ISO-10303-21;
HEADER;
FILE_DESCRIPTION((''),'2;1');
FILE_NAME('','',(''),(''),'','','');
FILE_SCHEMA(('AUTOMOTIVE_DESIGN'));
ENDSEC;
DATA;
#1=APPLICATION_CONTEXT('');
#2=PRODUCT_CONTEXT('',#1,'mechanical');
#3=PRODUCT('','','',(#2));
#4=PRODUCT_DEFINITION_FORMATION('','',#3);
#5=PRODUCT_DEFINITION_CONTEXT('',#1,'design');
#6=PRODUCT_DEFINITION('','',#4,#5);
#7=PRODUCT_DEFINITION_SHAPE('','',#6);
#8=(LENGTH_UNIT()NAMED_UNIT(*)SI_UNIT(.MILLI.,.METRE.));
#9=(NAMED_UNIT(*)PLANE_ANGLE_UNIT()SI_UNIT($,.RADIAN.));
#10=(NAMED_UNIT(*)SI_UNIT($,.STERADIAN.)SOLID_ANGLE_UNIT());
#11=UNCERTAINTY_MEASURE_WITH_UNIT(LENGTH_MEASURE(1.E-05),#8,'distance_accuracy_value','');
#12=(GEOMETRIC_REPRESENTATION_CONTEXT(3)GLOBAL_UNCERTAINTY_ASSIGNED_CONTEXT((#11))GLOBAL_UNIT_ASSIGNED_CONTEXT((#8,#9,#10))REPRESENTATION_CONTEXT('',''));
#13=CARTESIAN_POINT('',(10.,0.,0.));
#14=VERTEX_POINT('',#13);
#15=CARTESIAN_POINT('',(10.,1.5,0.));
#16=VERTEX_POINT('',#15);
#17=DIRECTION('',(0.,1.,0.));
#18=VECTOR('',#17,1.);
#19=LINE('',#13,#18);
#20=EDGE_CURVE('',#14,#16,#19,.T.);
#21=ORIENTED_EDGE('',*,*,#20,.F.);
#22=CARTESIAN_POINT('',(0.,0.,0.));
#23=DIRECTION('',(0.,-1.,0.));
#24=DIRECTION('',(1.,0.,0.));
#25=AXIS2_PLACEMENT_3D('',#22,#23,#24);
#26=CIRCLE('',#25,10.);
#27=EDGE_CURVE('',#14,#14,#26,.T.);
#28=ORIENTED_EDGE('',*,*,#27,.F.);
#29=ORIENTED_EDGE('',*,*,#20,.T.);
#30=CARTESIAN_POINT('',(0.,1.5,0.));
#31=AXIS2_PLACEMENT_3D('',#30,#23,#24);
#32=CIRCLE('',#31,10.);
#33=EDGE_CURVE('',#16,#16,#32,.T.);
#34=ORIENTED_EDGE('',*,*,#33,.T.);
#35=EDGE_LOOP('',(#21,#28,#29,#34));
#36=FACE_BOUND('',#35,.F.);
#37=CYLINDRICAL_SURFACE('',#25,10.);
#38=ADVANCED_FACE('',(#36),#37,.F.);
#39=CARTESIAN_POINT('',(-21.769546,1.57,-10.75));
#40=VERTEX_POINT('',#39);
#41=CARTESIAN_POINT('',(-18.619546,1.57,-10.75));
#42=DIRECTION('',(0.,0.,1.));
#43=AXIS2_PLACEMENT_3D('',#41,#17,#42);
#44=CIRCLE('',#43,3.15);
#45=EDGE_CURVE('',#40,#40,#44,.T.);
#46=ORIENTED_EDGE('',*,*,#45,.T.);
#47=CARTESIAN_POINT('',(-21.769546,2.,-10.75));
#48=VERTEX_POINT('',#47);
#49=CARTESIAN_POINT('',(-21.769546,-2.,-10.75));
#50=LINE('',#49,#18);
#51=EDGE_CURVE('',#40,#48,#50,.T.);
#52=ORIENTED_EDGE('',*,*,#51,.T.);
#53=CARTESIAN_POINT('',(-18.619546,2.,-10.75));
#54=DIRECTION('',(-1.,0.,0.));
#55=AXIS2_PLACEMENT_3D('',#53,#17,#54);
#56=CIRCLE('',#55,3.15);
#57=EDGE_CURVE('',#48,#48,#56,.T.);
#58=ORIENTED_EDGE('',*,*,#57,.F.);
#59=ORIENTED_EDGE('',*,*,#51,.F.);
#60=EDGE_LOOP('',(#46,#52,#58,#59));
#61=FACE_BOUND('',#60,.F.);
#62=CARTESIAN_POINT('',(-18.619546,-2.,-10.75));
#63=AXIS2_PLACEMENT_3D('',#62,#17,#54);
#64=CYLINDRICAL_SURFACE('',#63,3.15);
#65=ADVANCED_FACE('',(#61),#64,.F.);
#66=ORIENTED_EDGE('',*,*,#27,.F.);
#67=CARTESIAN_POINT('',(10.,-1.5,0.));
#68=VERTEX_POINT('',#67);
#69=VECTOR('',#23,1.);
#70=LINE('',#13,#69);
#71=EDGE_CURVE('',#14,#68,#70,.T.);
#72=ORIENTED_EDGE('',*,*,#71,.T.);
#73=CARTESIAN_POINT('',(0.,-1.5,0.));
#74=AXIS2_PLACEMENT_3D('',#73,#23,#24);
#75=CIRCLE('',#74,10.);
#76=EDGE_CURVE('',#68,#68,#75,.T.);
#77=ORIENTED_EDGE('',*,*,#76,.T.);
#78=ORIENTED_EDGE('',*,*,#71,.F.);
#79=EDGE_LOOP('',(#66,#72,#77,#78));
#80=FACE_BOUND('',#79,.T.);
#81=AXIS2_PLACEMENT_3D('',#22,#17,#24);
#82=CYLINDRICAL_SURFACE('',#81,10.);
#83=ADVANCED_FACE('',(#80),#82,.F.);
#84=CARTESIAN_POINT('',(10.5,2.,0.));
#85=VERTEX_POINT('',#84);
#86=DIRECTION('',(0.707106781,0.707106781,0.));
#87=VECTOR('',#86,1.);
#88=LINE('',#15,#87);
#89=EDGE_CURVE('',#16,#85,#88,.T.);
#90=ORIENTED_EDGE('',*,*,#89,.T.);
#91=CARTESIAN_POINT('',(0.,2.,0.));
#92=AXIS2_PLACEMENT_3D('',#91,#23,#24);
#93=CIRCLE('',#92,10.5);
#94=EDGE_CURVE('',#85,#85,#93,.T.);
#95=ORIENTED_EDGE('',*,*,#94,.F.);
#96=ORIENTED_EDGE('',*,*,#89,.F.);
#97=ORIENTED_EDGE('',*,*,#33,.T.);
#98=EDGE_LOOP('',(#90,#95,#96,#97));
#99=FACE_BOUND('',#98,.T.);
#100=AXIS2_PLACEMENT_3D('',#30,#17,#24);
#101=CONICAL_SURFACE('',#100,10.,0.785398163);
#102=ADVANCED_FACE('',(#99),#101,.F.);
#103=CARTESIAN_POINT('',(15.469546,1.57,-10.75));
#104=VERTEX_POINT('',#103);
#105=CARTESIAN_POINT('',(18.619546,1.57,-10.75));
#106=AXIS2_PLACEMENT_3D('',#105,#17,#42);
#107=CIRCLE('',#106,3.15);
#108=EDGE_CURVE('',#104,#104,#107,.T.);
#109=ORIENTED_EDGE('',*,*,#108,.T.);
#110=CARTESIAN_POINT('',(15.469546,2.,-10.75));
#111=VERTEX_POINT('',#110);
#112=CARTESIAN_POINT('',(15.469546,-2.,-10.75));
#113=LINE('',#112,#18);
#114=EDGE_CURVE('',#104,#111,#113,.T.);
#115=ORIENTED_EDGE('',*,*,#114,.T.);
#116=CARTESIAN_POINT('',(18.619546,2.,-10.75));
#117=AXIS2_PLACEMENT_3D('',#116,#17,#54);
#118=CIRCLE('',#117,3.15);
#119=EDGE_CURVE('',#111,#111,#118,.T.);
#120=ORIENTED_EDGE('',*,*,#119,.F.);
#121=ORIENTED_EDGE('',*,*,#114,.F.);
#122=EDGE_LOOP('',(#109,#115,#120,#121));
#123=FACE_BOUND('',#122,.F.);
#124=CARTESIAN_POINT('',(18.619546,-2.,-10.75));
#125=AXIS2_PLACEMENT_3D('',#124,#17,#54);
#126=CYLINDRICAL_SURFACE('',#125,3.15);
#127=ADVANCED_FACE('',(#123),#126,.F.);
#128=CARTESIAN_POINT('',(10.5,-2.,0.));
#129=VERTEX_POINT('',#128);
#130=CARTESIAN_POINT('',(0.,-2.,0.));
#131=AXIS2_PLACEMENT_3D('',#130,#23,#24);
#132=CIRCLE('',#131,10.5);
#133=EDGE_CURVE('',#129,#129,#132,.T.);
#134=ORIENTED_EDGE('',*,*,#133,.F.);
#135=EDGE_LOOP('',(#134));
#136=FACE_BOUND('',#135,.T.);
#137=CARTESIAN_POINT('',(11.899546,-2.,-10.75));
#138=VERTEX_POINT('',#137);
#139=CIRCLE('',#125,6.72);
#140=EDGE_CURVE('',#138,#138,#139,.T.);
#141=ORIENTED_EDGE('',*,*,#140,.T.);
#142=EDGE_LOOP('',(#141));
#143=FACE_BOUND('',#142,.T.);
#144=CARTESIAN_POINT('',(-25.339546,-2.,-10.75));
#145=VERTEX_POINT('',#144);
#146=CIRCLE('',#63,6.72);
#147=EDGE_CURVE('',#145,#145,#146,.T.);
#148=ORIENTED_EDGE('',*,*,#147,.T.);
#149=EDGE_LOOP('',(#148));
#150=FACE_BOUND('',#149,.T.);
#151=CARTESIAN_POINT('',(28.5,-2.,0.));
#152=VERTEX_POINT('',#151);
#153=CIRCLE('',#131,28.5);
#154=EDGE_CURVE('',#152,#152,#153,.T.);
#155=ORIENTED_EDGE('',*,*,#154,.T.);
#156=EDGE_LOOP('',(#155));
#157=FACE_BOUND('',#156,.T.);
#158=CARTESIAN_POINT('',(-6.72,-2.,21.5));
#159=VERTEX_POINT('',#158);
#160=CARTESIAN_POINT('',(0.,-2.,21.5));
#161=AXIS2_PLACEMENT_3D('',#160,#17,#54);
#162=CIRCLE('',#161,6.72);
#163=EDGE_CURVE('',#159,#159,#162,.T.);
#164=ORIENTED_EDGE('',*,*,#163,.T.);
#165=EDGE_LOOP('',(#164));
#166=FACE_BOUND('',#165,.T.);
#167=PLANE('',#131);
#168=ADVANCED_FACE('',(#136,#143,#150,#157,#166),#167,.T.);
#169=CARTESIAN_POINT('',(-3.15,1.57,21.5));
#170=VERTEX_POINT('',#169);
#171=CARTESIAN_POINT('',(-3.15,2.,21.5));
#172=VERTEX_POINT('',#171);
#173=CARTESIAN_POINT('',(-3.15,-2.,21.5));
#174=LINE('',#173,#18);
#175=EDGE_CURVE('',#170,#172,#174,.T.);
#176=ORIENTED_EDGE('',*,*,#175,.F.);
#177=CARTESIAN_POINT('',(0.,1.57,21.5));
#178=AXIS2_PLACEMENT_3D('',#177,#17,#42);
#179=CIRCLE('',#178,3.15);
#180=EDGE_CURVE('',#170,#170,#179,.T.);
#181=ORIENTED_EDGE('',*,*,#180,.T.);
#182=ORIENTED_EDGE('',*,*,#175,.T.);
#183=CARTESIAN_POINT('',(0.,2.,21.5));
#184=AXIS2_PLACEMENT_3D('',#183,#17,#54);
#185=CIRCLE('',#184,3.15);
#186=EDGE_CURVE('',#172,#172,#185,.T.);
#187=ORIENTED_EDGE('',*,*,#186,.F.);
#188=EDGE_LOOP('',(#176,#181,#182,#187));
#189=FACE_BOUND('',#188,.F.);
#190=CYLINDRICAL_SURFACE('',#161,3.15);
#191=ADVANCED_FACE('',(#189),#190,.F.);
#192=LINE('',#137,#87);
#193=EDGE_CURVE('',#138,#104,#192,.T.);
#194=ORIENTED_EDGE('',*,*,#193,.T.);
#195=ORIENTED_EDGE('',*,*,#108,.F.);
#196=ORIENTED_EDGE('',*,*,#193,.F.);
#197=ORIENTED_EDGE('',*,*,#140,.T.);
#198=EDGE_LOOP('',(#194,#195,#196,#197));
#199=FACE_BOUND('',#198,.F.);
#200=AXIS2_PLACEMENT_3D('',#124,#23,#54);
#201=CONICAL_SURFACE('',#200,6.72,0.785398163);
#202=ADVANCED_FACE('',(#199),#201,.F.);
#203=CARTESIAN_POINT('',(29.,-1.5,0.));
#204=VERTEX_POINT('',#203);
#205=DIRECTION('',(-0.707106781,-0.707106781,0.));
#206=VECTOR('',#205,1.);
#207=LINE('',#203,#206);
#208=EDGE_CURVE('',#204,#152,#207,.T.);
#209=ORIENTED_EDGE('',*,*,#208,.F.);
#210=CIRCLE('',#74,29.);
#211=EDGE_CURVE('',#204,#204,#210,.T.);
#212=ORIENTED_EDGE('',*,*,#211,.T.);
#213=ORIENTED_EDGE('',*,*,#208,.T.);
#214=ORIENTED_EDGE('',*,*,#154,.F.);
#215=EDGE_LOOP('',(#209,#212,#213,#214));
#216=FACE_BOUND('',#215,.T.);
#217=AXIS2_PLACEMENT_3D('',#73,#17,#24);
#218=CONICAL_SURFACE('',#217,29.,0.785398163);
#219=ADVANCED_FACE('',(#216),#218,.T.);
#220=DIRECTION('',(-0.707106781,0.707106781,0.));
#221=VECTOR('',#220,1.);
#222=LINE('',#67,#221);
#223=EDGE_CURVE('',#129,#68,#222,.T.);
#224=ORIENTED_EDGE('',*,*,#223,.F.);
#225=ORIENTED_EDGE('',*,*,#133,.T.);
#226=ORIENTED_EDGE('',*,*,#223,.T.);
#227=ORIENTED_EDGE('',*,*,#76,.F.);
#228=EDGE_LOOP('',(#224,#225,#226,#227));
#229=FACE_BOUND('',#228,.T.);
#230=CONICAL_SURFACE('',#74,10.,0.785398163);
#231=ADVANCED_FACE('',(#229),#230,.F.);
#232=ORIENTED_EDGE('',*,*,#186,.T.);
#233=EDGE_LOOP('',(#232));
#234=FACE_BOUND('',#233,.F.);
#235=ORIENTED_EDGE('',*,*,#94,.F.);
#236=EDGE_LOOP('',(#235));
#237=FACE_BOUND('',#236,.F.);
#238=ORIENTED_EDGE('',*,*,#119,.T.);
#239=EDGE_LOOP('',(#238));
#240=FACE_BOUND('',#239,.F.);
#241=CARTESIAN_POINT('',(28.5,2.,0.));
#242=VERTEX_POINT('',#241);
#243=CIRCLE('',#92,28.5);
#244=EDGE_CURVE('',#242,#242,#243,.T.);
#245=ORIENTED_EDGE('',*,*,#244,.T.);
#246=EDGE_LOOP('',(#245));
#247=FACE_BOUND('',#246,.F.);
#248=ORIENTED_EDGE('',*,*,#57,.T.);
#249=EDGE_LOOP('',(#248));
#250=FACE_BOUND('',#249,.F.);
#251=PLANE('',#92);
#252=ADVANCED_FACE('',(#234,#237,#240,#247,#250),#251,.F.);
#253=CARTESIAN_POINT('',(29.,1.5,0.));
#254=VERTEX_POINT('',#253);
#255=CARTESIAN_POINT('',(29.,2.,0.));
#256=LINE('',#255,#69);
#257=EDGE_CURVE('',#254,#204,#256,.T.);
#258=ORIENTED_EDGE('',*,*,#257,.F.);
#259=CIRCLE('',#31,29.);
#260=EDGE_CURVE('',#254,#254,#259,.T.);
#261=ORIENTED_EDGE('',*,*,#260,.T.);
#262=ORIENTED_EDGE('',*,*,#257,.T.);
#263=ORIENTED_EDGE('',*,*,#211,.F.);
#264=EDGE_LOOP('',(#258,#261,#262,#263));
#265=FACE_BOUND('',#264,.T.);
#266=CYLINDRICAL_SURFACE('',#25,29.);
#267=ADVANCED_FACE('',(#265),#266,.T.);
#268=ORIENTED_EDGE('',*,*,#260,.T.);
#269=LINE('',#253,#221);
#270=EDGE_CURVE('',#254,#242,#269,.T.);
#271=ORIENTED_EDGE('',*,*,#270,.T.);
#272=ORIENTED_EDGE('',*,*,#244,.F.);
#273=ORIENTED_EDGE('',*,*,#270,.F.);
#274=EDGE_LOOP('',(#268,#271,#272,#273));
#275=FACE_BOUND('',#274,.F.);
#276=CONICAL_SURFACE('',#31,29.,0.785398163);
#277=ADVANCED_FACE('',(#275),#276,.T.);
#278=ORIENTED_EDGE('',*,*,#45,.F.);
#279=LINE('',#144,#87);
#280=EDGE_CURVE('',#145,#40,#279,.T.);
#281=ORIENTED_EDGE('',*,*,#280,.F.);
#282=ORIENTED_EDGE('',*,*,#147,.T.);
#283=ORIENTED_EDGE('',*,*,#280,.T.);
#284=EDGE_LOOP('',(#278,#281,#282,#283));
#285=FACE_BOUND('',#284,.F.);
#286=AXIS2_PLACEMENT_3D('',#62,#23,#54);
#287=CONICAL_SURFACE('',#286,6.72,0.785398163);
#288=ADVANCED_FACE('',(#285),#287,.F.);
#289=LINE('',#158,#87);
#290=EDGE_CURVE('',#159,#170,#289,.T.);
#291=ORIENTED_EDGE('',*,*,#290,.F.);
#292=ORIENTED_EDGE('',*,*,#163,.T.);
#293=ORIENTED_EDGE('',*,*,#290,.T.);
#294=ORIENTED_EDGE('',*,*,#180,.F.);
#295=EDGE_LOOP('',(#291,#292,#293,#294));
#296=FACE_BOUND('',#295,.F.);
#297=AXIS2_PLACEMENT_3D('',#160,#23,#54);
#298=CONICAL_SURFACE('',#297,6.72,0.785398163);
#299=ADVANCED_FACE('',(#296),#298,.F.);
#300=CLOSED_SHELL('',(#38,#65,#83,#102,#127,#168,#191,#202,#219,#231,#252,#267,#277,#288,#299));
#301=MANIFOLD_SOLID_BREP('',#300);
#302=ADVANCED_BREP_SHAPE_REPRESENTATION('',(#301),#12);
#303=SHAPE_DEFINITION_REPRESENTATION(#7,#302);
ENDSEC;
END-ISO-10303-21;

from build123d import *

# Parameters (mm, degrees)
F0_R           = 29
F0_R_2         = 10
F1_DEPTH       = 2
F1_DEPTH_BACK  = 2
F3_D           = 6.3
F3_CSINK_D     = 13.44
F3_CSINK_ANGLE = 90
F4_SIZE        = 0.5


with BuildPart() as f1:
    # F0 (on Front) → F1 (new body, two sides)
    with BuildSketch(Plane.XZ) as f1_sk:
        Circle(F0_R)
        Circle(F0_R_2, mode=Mode.SUBTRACT)
    extrude(amount=F1_DEPTH)
    extrude(f1_sk.sketch, amount=-F1_DEPTH_BACK)

    # F3 (through all)
    with Locations(Plane.XZ.offset(2)):
        with Locations((0, 21.5), (-18.6195461814, -10.75), (18.6195461814, -10.75)):
            CounterSinkHole(F3_D / 2, F3_CSINK_D / 2, counter_sink_angle=F3_CSINK_ANGLE)

    # F4
    f4_edges = [f1.edges().sort_by_distance(p)[0] for p in [
        (-29, -2, 0),
        (29, -1, 0),
        (-29, 0, 0),
        (-10, 2, 0),
        (-10, -2, 0),
    ]]
    chamfer(f4_edges, length=F4_SIZE)


solid = f1.part
